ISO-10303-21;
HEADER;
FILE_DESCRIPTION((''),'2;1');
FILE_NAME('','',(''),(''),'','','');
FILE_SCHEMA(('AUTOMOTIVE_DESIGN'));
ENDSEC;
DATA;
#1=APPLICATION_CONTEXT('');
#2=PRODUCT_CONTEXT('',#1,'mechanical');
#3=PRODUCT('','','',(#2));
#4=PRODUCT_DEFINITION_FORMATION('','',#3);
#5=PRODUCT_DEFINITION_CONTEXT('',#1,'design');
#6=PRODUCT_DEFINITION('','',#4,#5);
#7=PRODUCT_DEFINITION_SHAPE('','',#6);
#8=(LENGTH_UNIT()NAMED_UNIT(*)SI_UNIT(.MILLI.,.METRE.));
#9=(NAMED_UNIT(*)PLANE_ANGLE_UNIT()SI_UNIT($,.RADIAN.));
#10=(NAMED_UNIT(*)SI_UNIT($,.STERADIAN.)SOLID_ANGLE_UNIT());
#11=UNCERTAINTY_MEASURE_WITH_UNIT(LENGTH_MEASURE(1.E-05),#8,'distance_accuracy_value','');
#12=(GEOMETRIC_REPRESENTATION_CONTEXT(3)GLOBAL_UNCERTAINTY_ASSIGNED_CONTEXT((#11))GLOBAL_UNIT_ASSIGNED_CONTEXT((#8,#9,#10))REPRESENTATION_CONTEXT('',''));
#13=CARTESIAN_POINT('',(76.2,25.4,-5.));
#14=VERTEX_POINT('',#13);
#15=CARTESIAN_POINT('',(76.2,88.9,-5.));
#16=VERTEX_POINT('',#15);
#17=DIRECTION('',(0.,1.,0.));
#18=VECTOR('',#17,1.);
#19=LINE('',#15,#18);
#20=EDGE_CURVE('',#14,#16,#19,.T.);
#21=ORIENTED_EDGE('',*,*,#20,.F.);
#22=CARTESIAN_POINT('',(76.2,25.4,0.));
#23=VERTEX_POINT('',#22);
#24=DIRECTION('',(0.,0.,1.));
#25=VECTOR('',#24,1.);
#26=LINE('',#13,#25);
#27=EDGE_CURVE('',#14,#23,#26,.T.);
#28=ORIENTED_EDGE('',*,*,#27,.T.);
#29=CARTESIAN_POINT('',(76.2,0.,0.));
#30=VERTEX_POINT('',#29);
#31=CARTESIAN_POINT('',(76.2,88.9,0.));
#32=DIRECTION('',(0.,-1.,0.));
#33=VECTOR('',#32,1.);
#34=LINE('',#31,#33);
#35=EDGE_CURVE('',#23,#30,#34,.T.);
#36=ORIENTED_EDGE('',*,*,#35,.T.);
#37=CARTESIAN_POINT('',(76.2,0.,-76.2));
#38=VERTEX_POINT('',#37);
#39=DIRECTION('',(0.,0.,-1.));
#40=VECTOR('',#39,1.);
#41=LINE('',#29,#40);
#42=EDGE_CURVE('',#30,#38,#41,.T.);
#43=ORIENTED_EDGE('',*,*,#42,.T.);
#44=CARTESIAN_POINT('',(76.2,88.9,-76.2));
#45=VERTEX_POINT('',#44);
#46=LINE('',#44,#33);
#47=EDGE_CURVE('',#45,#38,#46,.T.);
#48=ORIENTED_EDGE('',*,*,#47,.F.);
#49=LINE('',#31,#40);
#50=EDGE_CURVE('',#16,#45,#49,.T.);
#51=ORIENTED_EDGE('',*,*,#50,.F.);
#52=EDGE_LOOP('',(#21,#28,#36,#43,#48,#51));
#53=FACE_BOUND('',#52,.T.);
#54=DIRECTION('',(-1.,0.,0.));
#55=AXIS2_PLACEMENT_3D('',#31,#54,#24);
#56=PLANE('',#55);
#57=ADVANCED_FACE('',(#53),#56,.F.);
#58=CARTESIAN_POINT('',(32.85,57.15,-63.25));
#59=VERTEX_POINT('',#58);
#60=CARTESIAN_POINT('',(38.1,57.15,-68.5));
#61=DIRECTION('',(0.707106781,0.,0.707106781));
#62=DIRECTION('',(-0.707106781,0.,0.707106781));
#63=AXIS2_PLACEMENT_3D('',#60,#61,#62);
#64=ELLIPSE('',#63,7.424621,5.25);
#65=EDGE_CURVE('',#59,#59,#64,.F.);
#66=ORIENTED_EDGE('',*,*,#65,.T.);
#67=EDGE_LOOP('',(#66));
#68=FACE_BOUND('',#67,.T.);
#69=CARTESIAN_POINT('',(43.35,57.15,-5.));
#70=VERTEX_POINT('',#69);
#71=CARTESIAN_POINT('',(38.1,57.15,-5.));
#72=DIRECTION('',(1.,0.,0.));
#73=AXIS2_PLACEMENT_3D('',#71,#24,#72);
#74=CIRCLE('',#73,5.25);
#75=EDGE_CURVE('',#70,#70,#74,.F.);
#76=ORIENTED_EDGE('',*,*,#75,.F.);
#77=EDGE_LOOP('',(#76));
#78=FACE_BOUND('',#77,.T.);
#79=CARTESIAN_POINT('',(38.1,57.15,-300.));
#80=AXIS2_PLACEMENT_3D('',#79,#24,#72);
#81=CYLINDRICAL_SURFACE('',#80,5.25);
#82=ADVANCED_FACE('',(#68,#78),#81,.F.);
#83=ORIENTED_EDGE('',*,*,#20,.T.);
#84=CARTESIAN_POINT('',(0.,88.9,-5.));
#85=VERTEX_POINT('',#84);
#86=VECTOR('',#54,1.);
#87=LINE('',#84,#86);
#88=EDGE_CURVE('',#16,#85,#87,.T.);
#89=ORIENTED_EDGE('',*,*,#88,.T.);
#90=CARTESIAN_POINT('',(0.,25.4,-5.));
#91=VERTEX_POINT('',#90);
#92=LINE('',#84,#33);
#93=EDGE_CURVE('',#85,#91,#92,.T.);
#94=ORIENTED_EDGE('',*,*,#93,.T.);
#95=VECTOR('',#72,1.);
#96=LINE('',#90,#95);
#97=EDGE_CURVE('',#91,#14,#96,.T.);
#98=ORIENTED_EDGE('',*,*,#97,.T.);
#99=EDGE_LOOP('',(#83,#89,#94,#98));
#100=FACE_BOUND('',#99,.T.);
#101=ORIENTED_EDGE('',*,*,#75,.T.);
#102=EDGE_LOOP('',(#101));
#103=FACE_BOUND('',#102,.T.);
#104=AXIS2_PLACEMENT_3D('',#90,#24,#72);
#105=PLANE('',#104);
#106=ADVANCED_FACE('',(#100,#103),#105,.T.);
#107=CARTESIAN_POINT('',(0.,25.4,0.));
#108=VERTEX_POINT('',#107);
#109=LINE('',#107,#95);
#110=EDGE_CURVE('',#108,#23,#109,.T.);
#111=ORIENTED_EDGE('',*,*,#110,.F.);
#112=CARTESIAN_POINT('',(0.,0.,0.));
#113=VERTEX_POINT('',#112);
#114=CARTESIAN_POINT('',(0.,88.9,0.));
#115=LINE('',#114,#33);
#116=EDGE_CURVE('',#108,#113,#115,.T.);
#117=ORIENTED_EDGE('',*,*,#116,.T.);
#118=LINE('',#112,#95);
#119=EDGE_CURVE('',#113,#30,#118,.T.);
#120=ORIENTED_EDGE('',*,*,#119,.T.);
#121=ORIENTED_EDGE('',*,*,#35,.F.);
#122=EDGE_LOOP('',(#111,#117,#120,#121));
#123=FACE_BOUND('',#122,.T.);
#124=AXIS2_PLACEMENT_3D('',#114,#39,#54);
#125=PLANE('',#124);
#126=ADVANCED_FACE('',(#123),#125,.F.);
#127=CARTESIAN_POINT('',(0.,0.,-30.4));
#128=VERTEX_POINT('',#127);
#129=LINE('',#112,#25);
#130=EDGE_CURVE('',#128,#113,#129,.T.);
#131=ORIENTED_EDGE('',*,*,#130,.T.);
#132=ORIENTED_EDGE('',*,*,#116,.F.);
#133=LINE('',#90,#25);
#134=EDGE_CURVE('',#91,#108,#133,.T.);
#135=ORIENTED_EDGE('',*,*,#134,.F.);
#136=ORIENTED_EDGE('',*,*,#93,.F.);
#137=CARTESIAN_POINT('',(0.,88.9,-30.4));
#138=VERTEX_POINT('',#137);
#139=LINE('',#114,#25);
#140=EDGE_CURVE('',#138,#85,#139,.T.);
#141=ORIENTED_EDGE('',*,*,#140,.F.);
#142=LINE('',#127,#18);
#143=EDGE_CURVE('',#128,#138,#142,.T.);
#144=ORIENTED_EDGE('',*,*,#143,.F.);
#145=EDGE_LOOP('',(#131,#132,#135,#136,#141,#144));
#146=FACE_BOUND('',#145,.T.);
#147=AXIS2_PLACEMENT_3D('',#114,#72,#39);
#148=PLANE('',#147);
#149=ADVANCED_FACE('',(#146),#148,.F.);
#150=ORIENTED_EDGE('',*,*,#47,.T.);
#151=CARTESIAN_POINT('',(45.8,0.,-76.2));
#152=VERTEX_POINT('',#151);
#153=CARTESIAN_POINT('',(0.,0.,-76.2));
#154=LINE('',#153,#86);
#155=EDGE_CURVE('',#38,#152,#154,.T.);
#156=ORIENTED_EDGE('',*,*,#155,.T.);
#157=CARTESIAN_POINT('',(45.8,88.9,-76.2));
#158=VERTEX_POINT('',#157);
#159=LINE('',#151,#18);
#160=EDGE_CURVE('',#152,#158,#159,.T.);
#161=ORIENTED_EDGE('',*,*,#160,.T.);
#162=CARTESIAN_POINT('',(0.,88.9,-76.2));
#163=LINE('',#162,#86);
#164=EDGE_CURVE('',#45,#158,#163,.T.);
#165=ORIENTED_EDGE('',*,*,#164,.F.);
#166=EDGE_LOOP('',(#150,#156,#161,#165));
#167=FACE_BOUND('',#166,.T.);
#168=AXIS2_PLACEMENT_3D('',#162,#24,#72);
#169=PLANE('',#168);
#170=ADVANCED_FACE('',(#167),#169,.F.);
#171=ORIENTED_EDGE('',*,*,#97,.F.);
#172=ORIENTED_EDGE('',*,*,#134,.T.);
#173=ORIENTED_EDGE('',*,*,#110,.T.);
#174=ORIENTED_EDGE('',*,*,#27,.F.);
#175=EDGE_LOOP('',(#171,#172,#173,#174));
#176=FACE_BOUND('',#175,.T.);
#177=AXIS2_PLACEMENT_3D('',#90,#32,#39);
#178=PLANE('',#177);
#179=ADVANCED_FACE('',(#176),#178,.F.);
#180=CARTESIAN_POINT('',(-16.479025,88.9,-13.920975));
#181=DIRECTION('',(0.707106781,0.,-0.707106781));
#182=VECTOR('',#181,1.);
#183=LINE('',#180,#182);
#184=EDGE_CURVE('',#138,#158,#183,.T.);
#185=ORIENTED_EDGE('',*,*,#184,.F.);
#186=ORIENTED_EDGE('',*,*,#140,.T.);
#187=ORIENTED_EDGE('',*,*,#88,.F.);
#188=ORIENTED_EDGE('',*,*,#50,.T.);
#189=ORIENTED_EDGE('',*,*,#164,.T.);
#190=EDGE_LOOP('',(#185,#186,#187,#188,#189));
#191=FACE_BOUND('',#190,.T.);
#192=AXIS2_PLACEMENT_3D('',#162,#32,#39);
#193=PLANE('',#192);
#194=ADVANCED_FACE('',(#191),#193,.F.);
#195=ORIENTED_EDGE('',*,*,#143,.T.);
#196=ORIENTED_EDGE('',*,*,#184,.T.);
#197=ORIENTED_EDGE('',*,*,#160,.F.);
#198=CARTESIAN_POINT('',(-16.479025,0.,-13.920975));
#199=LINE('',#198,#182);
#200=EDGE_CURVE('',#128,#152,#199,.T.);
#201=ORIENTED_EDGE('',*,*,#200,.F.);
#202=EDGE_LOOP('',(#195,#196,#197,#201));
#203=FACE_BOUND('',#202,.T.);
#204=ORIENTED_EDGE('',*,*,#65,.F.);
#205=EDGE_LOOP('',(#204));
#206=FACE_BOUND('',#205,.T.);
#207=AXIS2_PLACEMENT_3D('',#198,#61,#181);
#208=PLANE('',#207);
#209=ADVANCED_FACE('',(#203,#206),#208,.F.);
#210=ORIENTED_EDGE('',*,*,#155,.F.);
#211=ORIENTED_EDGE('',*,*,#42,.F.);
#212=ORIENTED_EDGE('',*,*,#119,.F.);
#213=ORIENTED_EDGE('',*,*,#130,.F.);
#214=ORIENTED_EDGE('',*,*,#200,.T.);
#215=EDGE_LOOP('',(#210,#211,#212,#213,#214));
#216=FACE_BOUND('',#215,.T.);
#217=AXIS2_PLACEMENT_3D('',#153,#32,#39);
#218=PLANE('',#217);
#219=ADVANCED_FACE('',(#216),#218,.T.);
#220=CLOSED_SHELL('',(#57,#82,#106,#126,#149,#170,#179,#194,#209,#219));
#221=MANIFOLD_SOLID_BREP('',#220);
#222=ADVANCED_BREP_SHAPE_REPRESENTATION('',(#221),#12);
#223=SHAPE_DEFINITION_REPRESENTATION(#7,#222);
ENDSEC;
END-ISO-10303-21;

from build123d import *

# Parameters (mm, degrees)
SKETCH1_W           = 76.2
SKETCH1_H           = 76.2
BOSS_EXTRUDE1_DEPTH = 88.9
SKETCH2_R           = 5.25
CUT_EXTRUDE1_DEPTH  = 300
SKETCH3_W           = 76.2
SKETCH3_H           = 63.5
CUT_EXTRUDE2_DEPTH  = 5
CUT_EXTRUDE5_DEPTH  = 140.7


with BuildPart() as part:
    # Sketch1 → Boss-Extrude1 (new body)
    with BuildSketch(Plane(origin=(0, 0, 0), x_dir=(1, 0, 0), z_dir=(0, 1, 0))):
        with Locations((38.1, 38.1)):
            Rectangle(SKETCH1_W, SKETCH1_H)
    extrude(amount=BOSS_EXTRUDE1_DEPTH)

    # Sketch2 → Cut-Extrude1 (cut)
    with BuildSketch(Plane.XY):
        with Locations((38.1, 57.15)):
            Circle(SKETCH2_R)
    extrude(amount=-CUT_EXTRUDE1_DEPTH, mode=Mode.SUBTRACT)

    # Sketch3 → Cut-Extrude2 (cut)
    with BuildSketch(Plane.XY):
        with Locations((38.1, 57.15)):
            Rectangle(SKETCH3_W, SKETCH3_H)
    extrude(amount=-CUT_EXTRUDE2_DEPTH, mode=Mode.SUBTRACT)

    # Sketch5 → Cut-Extrude5 (cut, through all)
    with BuildSketch(Plane(origin=(0, 88.9, 0), x_dir=(1, 0, 0), z_dir=(0, 1, 0))):
        Polygon((0, 76.2), (0, 30.4), (45.8, 76.2), align=None)
    extrude(amount=-CUT_EXTRUDE5_DEPTH, mode=Mode.SUBTRACT)


solid = part.part
